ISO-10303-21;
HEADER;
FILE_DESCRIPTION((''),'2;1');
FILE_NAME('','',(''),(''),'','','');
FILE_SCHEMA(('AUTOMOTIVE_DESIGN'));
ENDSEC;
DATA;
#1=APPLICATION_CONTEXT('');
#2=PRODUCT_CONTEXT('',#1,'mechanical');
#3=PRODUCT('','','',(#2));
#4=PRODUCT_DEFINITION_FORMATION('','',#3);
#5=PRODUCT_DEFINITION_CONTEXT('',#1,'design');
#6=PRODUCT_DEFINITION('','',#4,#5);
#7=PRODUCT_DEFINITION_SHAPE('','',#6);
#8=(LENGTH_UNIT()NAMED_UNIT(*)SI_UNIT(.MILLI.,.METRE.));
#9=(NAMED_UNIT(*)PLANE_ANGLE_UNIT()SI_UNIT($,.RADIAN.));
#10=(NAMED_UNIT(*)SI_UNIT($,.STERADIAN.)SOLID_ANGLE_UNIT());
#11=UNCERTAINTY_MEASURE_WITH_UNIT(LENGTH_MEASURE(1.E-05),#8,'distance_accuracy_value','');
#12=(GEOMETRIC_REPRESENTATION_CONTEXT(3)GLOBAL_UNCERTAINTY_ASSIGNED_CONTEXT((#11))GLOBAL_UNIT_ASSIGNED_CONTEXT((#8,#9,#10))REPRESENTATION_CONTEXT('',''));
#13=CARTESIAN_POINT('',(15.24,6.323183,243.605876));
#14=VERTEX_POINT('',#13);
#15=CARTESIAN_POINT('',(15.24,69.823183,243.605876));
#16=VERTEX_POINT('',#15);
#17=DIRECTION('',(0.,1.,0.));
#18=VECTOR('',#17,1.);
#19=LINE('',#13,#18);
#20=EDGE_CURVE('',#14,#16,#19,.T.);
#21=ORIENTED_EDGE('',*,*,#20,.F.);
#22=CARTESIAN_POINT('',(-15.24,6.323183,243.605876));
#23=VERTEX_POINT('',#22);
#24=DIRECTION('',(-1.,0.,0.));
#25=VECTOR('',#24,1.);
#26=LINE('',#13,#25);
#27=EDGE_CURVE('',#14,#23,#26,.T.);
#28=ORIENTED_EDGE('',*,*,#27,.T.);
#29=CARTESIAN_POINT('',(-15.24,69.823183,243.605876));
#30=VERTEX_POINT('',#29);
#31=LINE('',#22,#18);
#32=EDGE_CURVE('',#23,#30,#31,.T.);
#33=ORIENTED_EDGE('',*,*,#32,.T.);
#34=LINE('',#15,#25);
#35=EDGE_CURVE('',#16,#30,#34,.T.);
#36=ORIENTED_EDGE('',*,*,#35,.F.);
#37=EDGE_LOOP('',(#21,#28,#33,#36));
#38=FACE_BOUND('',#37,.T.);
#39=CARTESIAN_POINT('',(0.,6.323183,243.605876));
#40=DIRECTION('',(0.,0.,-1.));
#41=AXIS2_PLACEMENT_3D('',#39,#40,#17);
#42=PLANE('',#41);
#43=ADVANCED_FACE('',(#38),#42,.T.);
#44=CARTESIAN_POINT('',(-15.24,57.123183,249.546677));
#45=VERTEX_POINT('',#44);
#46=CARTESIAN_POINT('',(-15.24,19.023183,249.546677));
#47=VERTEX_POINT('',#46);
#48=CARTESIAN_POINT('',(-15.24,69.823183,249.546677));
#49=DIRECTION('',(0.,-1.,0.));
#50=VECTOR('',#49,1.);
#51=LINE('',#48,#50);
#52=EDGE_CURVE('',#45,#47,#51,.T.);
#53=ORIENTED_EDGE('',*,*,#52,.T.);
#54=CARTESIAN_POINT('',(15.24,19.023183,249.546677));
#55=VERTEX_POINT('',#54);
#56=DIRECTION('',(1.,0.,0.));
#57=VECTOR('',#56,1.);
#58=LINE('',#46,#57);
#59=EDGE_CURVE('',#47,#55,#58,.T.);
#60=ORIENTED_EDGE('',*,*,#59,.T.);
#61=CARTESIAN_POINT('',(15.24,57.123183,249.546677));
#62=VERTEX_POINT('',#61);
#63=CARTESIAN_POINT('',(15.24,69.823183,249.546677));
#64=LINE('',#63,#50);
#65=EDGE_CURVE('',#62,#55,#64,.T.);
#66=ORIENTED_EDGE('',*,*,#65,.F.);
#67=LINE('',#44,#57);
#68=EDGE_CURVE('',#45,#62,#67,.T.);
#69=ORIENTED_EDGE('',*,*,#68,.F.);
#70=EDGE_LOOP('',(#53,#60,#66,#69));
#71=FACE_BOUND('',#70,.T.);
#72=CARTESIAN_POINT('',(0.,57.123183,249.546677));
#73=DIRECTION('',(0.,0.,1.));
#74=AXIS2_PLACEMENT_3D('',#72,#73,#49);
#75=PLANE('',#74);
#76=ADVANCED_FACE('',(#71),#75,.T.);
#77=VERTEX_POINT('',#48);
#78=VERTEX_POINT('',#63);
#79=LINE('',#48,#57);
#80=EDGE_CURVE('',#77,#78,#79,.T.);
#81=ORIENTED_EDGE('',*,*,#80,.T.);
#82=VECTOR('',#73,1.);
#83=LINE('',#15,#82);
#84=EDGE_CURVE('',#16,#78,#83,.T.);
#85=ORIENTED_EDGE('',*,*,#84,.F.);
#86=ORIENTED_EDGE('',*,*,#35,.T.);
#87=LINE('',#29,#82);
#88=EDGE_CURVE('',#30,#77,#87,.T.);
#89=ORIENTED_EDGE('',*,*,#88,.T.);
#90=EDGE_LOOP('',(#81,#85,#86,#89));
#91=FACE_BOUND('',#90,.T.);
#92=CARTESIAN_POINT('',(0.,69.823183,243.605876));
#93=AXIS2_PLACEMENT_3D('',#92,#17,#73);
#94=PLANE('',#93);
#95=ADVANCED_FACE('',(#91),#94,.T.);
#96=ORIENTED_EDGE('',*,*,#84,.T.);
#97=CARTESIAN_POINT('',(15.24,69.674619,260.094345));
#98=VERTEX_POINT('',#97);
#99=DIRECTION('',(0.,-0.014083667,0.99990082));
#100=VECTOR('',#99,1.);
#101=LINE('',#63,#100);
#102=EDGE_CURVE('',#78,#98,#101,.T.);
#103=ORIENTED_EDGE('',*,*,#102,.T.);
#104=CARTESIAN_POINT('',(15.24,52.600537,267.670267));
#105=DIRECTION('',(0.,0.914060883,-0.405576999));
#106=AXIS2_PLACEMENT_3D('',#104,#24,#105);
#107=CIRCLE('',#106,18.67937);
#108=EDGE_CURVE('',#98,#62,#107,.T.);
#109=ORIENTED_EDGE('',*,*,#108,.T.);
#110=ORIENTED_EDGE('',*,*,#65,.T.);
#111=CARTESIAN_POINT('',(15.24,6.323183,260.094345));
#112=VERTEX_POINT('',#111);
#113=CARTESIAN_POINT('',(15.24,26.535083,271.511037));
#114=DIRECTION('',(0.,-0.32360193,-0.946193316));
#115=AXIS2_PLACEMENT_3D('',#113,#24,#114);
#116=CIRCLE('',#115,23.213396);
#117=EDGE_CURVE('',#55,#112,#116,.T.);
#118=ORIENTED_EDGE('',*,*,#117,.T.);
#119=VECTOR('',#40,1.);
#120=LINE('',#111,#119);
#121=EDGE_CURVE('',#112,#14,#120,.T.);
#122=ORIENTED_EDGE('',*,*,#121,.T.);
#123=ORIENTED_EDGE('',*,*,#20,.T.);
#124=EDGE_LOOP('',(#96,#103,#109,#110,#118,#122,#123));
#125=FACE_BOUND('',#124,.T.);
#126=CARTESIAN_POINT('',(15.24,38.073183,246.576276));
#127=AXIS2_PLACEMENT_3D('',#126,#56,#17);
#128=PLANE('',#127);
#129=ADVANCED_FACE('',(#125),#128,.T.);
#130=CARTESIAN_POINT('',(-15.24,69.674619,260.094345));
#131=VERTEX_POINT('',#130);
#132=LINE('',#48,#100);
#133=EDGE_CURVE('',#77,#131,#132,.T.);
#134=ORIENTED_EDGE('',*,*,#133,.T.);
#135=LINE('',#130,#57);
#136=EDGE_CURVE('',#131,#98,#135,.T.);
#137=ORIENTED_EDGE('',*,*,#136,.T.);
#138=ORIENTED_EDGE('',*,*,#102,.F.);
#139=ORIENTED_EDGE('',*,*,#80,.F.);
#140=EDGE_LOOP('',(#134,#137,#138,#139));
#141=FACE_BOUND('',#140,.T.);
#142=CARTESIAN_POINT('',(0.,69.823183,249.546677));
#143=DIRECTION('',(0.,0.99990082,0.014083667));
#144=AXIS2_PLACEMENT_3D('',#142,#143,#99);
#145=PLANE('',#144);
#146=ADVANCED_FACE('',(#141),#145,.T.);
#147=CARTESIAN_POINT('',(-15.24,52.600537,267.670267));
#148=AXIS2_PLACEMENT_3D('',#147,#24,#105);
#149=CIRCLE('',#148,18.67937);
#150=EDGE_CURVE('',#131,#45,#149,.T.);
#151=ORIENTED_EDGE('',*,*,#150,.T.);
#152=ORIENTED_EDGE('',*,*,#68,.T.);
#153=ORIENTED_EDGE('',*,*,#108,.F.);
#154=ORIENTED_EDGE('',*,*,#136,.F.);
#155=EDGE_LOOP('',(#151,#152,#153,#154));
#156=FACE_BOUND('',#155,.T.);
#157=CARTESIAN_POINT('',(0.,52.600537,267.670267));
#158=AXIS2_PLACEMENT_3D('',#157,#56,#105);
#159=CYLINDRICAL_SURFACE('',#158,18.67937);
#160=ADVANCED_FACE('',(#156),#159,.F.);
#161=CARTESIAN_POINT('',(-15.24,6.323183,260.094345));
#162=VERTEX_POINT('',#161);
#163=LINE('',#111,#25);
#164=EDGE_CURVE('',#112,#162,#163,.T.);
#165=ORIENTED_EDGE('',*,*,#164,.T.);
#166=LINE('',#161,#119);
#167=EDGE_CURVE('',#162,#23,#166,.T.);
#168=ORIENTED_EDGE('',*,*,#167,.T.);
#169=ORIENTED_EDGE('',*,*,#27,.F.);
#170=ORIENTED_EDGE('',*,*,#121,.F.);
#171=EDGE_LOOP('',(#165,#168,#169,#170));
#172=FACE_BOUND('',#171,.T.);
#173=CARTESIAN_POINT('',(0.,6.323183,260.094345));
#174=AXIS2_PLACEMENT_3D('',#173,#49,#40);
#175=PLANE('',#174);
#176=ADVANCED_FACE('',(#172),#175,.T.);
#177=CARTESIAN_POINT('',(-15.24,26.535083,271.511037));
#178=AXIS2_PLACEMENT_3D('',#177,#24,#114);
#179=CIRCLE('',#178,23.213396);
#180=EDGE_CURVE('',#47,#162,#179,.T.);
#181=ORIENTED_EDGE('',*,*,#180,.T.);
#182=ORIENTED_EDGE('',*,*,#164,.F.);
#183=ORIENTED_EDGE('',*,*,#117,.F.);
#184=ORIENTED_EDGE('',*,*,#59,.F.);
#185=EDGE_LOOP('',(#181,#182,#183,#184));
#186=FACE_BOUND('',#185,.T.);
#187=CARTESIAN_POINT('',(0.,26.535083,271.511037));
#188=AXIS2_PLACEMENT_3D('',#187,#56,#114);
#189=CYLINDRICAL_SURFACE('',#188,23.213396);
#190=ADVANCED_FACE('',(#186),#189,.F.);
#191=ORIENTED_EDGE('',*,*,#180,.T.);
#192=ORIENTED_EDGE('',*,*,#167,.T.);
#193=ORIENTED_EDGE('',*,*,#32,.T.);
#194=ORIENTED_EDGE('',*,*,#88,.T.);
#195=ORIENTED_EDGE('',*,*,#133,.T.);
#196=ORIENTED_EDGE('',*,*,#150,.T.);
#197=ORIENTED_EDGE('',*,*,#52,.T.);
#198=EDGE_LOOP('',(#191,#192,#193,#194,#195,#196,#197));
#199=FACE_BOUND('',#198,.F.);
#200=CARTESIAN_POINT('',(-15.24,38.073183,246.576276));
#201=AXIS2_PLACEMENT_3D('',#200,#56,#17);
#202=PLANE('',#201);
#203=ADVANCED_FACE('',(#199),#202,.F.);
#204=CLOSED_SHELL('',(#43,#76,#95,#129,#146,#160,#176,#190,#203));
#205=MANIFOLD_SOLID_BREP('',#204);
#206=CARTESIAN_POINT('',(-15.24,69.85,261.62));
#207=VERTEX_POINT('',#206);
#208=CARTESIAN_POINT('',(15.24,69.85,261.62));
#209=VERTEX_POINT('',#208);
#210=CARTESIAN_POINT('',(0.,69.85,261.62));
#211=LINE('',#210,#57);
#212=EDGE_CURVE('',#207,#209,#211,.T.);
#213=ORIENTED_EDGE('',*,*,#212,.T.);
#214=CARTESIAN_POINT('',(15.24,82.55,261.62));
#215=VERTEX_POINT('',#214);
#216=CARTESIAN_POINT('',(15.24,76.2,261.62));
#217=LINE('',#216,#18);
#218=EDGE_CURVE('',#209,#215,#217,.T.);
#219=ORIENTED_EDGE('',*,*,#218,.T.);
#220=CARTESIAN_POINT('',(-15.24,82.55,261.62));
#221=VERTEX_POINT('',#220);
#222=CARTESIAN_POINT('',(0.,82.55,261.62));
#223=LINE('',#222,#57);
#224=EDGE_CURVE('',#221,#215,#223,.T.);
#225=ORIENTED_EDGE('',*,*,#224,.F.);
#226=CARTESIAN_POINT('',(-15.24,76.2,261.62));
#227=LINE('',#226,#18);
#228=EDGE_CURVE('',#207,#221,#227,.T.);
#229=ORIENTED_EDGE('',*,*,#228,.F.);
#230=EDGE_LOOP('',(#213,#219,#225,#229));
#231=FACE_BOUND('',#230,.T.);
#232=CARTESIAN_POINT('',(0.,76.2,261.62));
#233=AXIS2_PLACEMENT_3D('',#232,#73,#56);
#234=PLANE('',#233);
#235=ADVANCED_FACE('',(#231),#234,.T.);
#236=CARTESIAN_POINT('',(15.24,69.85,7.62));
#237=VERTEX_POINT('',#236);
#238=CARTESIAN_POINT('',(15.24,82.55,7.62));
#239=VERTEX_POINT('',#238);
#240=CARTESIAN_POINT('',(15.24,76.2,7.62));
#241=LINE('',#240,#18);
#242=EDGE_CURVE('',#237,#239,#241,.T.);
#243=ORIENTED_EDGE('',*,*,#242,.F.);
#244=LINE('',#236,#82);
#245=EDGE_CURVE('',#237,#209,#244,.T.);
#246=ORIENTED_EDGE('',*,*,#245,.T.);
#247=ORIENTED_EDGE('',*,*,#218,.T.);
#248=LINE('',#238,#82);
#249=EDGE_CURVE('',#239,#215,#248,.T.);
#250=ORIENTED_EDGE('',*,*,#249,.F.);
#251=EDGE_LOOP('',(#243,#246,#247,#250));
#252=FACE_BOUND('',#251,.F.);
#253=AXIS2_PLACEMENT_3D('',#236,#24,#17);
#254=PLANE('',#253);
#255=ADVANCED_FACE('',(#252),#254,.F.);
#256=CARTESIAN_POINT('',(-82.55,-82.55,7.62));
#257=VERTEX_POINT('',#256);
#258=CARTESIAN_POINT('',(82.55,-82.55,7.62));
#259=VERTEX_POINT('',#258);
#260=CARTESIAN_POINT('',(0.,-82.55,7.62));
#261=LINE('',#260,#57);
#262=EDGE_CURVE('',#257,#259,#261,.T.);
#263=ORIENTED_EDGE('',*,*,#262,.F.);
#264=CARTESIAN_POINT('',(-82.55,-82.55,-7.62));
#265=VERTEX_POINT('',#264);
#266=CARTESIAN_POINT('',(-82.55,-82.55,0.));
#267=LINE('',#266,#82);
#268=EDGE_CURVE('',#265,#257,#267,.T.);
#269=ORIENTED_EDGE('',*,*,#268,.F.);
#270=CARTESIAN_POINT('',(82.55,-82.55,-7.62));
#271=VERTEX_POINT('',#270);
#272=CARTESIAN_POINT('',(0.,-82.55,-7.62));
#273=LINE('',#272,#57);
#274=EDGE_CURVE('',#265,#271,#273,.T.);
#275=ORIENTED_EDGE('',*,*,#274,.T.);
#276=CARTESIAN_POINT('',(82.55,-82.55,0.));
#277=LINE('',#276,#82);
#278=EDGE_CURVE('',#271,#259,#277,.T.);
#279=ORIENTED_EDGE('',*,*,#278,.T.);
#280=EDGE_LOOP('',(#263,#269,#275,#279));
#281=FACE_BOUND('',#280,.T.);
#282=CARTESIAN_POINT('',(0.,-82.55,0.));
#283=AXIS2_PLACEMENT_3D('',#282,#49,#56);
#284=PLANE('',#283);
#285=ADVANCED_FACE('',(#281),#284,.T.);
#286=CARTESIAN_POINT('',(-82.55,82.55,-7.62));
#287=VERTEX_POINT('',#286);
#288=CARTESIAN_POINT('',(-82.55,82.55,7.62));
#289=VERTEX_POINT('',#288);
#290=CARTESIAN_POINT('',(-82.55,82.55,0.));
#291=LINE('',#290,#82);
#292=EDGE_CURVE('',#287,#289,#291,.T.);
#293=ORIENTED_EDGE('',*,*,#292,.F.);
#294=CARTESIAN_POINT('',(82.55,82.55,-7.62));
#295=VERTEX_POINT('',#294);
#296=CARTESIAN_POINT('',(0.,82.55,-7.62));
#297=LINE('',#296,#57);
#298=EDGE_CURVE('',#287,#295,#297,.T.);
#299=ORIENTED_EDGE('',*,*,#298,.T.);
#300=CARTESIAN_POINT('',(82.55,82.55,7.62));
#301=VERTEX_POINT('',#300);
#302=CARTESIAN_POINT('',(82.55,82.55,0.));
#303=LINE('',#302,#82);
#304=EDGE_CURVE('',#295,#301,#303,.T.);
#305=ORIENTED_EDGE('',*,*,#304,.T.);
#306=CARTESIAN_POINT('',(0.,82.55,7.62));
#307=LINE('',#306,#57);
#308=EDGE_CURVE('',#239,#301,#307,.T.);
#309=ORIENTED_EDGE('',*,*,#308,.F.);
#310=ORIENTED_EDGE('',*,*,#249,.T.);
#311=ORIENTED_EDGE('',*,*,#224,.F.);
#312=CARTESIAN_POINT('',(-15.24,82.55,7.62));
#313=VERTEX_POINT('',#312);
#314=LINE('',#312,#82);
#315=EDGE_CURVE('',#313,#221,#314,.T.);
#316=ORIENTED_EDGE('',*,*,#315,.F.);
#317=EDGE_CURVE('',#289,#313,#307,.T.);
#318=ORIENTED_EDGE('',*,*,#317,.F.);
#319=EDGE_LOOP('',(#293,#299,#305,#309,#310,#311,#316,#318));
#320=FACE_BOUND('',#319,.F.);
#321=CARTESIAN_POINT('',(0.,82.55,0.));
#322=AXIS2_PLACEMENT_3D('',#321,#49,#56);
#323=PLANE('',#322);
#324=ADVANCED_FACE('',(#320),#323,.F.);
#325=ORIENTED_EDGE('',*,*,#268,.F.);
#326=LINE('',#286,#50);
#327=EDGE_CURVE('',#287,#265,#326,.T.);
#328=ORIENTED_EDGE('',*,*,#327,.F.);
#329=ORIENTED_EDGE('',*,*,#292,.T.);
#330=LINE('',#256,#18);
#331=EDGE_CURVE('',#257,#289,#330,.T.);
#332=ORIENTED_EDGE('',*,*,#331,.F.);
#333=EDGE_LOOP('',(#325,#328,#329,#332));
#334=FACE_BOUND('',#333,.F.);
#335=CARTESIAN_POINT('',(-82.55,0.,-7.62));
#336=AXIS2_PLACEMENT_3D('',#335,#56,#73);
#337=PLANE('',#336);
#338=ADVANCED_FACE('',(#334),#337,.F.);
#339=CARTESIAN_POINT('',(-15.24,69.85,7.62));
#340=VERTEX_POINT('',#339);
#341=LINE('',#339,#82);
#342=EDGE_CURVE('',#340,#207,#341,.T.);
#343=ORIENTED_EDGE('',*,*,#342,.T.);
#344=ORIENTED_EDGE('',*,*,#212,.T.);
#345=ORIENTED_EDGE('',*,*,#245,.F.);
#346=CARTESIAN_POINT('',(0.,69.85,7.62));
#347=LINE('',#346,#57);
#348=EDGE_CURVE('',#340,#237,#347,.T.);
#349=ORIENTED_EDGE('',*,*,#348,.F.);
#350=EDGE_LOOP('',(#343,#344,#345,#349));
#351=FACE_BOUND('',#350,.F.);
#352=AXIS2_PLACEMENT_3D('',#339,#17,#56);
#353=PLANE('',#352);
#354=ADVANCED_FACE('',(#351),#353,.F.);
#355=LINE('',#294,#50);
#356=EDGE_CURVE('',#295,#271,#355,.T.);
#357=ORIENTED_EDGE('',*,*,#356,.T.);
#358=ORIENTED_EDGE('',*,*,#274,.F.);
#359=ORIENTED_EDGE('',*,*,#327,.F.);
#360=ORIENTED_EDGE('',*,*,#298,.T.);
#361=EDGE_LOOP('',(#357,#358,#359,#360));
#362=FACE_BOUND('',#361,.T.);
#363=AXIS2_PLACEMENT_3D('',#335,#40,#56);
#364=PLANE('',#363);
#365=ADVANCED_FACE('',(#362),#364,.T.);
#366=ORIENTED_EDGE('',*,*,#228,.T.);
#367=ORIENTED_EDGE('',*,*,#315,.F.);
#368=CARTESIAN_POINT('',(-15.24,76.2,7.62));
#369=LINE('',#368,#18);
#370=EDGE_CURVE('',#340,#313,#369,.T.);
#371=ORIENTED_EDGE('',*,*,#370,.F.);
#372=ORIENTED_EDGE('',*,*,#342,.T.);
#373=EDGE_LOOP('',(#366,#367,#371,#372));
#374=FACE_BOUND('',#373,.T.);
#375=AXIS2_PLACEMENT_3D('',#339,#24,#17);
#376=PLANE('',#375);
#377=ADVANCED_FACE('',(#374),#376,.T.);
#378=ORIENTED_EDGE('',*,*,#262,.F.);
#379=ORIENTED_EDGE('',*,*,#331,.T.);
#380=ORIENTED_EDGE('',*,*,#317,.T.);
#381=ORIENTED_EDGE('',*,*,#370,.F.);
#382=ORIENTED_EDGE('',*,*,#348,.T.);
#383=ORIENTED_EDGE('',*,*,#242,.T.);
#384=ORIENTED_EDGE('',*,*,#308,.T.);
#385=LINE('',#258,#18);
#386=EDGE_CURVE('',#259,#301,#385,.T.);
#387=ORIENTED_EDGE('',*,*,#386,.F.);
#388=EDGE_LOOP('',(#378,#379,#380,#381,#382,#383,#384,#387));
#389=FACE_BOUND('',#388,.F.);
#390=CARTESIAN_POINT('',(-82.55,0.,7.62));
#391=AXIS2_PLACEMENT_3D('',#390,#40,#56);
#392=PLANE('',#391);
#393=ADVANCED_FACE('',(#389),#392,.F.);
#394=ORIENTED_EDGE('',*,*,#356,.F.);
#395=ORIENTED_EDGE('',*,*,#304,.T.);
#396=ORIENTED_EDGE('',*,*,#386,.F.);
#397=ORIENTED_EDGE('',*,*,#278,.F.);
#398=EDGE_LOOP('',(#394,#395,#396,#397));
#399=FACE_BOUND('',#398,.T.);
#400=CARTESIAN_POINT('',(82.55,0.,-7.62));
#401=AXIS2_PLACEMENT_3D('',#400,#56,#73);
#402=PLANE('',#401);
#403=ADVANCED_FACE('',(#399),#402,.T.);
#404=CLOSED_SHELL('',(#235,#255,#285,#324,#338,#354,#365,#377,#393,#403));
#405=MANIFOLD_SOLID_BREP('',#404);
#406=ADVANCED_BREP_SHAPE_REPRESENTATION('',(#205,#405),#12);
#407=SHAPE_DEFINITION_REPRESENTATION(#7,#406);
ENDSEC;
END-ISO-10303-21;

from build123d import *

# Parameters (mm, degrees)
F0_W     = 165.1
F0_H     = 15.24
F1_DEPTH = 82.55
F2_W     = 30.48
F2_H     = 12.7
F3_DEPTH = 254
F5_DEPTH = 15.24


with BuildPart() as f1:
    # F0 (on Front) → F1 (new body, symmetric)
    with BuildSketch(Plane.XZ):
        Rectangle(F0_W, F0_H)
    extrude(amount=F1_DEPTH, both=True)

    # F2 (on face) → F3 (join)
    with BuildSketch(Plane.XY.offset(7.62)):
        with Locations((0, 76.2)):
            Rectangle(F2_W, F2_H)
    extrude(amount=F3_DEPTH)


with BuildPart() as f5:
    # F4 (on Right) → F5 (new body, symmetric)
    with BuildSketch(Plane.YZ):
        Polygon((69.8231831193, 243.6058757288), (69.8231831193, 249.5466768742), (57.1231831193, 249.5466768742), (19.0231831193, 249.5466768742), (6.3231831193, 249.5466768742), (6.3231831193, 243.6058757288), align=None)
        with BuildLine():
            Line((57.1231831193, 249.5466768742), (69.8231831193, 249.5466768742))
            Line((69.8231831193, 249.5466768742), (69.6746185422, 260.0943446159))
            ThreePointArc((69.6746185422, 260.0943446159), (64.6179404455, 253.3698870264), (57.1231831193, 249.5466768742))
        make_face()
        with BuildLine():
            Line((6.3231831193, 249.5466768742), (19.0231831193, 249.5466768742))
            ThreePointArc((19.0231831193, 249.5466768742), (11.7038459616, 253.653372928), (6.3231831193, 260.0943446159))
            Line((6.3231831193, 260.0943446159), (6.3231831193, 249.5466768742))
        make_face()
    extrude(amount=F5_DEPTH, both=True)


solid = Compound([f1.part, f5.part])
